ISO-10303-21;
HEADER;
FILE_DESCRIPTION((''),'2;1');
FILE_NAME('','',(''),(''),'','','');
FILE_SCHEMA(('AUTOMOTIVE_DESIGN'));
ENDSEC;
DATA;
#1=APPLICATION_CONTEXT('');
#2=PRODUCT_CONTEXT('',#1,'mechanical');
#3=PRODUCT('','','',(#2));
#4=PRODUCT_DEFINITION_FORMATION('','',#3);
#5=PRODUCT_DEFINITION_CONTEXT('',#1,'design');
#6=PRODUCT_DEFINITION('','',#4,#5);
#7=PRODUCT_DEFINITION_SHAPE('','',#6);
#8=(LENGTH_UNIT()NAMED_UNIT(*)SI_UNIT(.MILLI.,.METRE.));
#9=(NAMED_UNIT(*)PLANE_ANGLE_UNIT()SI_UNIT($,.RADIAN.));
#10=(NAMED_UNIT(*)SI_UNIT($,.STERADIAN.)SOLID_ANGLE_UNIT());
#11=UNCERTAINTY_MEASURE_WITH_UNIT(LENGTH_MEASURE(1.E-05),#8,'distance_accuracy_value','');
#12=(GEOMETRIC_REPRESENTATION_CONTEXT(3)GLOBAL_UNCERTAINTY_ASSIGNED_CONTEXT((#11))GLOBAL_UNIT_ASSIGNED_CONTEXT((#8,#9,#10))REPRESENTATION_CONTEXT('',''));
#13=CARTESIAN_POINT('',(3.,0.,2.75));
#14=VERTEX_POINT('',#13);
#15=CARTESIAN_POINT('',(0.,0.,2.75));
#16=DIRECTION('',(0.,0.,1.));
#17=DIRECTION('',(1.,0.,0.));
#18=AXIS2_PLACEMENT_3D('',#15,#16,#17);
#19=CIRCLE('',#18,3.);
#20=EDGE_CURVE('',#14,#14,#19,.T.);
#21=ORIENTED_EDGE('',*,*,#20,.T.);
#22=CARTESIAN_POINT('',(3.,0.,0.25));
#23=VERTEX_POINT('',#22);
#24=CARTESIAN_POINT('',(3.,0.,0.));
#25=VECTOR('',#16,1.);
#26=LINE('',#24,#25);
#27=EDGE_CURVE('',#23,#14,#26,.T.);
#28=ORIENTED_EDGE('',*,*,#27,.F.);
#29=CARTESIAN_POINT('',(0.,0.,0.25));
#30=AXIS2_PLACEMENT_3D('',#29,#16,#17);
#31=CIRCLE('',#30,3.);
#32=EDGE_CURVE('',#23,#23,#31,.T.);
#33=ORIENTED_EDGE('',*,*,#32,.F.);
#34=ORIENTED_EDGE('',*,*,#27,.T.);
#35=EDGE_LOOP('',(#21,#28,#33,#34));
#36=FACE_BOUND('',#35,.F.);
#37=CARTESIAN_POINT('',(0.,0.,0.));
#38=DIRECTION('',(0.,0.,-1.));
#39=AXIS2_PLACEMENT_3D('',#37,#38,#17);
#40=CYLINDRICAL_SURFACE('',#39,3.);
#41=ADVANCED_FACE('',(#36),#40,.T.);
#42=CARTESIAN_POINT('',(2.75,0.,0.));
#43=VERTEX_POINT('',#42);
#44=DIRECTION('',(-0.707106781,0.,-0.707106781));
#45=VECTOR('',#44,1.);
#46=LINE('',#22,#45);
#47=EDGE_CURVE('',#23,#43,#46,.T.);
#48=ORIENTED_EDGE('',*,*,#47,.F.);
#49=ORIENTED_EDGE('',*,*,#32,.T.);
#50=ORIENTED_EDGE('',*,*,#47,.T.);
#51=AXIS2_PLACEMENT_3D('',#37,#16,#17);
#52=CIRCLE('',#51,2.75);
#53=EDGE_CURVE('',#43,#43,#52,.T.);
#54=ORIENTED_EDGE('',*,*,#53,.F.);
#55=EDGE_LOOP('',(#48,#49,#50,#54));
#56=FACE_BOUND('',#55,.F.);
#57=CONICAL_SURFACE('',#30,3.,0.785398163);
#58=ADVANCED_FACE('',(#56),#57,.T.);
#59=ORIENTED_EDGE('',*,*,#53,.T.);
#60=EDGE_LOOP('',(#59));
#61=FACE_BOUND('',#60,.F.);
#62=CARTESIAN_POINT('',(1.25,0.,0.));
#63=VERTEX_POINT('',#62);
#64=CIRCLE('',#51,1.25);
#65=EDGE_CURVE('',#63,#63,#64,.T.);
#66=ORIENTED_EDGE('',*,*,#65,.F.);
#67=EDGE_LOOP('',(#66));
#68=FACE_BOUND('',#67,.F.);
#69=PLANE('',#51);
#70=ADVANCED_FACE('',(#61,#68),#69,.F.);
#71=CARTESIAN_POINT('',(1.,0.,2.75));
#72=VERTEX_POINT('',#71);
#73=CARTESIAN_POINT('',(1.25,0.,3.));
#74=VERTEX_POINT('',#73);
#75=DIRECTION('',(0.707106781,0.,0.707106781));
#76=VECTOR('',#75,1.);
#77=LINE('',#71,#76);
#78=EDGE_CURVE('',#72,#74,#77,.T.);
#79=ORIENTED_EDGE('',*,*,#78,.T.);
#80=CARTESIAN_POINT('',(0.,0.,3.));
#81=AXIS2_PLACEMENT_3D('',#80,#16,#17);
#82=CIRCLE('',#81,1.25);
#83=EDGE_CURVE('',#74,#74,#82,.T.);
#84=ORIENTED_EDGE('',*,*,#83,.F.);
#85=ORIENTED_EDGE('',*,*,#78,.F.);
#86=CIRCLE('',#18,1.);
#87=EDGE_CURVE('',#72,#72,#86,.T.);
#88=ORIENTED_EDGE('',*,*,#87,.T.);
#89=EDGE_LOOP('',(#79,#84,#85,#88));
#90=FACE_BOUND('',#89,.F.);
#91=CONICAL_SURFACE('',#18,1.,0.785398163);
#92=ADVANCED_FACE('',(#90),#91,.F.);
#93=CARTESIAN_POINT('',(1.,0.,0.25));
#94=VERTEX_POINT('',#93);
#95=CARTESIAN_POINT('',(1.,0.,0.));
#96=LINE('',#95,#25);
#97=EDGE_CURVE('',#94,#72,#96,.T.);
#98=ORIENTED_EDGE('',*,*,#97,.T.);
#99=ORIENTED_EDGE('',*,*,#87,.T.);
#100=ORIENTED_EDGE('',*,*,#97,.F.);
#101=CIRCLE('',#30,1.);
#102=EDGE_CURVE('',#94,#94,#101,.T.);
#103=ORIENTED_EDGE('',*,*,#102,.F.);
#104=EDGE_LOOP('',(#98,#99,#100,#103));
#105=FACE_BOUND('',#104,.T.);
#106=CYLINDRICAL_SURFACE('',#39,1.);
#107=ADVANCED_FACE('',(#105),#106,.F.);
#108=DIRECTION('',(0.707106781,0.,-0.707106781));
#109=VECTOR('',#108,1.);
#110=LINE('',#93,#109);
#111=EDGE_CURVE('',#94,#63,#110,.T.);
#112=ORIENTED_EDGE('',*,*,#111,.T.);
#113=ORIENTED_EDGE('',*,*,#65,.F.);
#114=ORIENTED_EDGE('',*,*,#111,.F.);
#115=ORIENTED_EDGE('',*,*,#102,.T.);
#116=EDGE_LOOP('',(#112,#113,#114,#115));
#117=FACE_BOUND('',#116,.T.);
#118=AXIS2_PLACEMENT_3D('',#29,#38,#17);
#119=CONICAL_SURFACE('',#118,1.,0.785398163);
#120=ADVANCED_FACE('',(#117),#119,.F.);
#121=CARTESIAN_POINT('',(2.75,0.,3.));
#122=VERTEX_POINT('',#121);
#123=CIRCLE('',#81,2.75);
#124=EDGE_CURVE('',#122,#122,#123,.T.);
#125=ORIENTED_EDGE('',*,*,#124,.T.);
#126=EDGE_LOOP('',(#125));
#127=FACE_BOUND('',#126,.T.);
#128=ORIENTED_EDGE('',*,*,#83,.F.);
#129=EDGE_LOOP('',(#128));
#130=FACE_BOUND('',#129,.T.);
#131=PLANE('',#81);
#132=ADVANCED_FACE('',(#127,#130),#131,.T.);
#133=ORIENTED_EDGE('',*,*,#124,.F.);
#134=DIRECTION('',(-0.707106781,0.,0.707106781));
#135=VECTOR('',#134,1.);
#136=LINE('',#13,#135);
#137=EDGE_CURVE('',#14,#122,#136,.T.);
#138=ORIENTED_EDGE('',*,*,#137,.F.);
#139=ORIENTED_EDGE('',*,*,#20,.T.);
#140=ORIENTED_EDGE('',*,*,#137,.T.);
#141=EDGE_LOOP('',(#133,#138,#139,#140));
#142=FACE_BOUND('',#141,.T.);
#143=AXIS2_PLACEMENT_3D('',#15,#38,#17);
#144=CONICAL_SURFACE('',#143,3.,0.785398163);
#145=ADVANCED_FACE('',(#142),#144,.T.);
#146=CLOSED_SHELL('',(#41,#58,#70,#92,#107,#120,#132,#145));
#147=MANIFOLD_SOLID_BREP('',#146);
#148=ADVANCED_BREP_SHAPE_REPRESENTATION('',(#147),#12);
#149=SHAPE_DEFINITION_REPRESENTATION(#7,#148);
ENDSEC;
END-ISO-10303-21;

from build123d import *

# Parameters (mm, degrees)
SKETCH1_R           = 3
SKETCH1_R_2         = 1
EXTRUDE_THIN1_DEPTH = 3
CHAMFER1_SIZE       = 0.25


with BuildPart() as part:
    # Sketch1 → Extrude-Thin1 (new body)
    with BuildSketch(Plane.XY):
        Circle(SKETCH1_R)
        Circle(SKETCH1_R_2, mode=Mode.SUBTRACT)
    extrude(amount=EXTRUDE_THIN1_DEPTH)

    # Chamfer1
    chamfer1_edges = [part.edges().sort_by_distance(p)[0] for p in [
        (-3, 0, 0),
        (-3, 0, 3),
        (-1, 0, 0),
        (-1, 0, 3),
    ]]
    chamfer(chamfer1_edges, length=CHAMFER1_SIZE)


solid = part.part
